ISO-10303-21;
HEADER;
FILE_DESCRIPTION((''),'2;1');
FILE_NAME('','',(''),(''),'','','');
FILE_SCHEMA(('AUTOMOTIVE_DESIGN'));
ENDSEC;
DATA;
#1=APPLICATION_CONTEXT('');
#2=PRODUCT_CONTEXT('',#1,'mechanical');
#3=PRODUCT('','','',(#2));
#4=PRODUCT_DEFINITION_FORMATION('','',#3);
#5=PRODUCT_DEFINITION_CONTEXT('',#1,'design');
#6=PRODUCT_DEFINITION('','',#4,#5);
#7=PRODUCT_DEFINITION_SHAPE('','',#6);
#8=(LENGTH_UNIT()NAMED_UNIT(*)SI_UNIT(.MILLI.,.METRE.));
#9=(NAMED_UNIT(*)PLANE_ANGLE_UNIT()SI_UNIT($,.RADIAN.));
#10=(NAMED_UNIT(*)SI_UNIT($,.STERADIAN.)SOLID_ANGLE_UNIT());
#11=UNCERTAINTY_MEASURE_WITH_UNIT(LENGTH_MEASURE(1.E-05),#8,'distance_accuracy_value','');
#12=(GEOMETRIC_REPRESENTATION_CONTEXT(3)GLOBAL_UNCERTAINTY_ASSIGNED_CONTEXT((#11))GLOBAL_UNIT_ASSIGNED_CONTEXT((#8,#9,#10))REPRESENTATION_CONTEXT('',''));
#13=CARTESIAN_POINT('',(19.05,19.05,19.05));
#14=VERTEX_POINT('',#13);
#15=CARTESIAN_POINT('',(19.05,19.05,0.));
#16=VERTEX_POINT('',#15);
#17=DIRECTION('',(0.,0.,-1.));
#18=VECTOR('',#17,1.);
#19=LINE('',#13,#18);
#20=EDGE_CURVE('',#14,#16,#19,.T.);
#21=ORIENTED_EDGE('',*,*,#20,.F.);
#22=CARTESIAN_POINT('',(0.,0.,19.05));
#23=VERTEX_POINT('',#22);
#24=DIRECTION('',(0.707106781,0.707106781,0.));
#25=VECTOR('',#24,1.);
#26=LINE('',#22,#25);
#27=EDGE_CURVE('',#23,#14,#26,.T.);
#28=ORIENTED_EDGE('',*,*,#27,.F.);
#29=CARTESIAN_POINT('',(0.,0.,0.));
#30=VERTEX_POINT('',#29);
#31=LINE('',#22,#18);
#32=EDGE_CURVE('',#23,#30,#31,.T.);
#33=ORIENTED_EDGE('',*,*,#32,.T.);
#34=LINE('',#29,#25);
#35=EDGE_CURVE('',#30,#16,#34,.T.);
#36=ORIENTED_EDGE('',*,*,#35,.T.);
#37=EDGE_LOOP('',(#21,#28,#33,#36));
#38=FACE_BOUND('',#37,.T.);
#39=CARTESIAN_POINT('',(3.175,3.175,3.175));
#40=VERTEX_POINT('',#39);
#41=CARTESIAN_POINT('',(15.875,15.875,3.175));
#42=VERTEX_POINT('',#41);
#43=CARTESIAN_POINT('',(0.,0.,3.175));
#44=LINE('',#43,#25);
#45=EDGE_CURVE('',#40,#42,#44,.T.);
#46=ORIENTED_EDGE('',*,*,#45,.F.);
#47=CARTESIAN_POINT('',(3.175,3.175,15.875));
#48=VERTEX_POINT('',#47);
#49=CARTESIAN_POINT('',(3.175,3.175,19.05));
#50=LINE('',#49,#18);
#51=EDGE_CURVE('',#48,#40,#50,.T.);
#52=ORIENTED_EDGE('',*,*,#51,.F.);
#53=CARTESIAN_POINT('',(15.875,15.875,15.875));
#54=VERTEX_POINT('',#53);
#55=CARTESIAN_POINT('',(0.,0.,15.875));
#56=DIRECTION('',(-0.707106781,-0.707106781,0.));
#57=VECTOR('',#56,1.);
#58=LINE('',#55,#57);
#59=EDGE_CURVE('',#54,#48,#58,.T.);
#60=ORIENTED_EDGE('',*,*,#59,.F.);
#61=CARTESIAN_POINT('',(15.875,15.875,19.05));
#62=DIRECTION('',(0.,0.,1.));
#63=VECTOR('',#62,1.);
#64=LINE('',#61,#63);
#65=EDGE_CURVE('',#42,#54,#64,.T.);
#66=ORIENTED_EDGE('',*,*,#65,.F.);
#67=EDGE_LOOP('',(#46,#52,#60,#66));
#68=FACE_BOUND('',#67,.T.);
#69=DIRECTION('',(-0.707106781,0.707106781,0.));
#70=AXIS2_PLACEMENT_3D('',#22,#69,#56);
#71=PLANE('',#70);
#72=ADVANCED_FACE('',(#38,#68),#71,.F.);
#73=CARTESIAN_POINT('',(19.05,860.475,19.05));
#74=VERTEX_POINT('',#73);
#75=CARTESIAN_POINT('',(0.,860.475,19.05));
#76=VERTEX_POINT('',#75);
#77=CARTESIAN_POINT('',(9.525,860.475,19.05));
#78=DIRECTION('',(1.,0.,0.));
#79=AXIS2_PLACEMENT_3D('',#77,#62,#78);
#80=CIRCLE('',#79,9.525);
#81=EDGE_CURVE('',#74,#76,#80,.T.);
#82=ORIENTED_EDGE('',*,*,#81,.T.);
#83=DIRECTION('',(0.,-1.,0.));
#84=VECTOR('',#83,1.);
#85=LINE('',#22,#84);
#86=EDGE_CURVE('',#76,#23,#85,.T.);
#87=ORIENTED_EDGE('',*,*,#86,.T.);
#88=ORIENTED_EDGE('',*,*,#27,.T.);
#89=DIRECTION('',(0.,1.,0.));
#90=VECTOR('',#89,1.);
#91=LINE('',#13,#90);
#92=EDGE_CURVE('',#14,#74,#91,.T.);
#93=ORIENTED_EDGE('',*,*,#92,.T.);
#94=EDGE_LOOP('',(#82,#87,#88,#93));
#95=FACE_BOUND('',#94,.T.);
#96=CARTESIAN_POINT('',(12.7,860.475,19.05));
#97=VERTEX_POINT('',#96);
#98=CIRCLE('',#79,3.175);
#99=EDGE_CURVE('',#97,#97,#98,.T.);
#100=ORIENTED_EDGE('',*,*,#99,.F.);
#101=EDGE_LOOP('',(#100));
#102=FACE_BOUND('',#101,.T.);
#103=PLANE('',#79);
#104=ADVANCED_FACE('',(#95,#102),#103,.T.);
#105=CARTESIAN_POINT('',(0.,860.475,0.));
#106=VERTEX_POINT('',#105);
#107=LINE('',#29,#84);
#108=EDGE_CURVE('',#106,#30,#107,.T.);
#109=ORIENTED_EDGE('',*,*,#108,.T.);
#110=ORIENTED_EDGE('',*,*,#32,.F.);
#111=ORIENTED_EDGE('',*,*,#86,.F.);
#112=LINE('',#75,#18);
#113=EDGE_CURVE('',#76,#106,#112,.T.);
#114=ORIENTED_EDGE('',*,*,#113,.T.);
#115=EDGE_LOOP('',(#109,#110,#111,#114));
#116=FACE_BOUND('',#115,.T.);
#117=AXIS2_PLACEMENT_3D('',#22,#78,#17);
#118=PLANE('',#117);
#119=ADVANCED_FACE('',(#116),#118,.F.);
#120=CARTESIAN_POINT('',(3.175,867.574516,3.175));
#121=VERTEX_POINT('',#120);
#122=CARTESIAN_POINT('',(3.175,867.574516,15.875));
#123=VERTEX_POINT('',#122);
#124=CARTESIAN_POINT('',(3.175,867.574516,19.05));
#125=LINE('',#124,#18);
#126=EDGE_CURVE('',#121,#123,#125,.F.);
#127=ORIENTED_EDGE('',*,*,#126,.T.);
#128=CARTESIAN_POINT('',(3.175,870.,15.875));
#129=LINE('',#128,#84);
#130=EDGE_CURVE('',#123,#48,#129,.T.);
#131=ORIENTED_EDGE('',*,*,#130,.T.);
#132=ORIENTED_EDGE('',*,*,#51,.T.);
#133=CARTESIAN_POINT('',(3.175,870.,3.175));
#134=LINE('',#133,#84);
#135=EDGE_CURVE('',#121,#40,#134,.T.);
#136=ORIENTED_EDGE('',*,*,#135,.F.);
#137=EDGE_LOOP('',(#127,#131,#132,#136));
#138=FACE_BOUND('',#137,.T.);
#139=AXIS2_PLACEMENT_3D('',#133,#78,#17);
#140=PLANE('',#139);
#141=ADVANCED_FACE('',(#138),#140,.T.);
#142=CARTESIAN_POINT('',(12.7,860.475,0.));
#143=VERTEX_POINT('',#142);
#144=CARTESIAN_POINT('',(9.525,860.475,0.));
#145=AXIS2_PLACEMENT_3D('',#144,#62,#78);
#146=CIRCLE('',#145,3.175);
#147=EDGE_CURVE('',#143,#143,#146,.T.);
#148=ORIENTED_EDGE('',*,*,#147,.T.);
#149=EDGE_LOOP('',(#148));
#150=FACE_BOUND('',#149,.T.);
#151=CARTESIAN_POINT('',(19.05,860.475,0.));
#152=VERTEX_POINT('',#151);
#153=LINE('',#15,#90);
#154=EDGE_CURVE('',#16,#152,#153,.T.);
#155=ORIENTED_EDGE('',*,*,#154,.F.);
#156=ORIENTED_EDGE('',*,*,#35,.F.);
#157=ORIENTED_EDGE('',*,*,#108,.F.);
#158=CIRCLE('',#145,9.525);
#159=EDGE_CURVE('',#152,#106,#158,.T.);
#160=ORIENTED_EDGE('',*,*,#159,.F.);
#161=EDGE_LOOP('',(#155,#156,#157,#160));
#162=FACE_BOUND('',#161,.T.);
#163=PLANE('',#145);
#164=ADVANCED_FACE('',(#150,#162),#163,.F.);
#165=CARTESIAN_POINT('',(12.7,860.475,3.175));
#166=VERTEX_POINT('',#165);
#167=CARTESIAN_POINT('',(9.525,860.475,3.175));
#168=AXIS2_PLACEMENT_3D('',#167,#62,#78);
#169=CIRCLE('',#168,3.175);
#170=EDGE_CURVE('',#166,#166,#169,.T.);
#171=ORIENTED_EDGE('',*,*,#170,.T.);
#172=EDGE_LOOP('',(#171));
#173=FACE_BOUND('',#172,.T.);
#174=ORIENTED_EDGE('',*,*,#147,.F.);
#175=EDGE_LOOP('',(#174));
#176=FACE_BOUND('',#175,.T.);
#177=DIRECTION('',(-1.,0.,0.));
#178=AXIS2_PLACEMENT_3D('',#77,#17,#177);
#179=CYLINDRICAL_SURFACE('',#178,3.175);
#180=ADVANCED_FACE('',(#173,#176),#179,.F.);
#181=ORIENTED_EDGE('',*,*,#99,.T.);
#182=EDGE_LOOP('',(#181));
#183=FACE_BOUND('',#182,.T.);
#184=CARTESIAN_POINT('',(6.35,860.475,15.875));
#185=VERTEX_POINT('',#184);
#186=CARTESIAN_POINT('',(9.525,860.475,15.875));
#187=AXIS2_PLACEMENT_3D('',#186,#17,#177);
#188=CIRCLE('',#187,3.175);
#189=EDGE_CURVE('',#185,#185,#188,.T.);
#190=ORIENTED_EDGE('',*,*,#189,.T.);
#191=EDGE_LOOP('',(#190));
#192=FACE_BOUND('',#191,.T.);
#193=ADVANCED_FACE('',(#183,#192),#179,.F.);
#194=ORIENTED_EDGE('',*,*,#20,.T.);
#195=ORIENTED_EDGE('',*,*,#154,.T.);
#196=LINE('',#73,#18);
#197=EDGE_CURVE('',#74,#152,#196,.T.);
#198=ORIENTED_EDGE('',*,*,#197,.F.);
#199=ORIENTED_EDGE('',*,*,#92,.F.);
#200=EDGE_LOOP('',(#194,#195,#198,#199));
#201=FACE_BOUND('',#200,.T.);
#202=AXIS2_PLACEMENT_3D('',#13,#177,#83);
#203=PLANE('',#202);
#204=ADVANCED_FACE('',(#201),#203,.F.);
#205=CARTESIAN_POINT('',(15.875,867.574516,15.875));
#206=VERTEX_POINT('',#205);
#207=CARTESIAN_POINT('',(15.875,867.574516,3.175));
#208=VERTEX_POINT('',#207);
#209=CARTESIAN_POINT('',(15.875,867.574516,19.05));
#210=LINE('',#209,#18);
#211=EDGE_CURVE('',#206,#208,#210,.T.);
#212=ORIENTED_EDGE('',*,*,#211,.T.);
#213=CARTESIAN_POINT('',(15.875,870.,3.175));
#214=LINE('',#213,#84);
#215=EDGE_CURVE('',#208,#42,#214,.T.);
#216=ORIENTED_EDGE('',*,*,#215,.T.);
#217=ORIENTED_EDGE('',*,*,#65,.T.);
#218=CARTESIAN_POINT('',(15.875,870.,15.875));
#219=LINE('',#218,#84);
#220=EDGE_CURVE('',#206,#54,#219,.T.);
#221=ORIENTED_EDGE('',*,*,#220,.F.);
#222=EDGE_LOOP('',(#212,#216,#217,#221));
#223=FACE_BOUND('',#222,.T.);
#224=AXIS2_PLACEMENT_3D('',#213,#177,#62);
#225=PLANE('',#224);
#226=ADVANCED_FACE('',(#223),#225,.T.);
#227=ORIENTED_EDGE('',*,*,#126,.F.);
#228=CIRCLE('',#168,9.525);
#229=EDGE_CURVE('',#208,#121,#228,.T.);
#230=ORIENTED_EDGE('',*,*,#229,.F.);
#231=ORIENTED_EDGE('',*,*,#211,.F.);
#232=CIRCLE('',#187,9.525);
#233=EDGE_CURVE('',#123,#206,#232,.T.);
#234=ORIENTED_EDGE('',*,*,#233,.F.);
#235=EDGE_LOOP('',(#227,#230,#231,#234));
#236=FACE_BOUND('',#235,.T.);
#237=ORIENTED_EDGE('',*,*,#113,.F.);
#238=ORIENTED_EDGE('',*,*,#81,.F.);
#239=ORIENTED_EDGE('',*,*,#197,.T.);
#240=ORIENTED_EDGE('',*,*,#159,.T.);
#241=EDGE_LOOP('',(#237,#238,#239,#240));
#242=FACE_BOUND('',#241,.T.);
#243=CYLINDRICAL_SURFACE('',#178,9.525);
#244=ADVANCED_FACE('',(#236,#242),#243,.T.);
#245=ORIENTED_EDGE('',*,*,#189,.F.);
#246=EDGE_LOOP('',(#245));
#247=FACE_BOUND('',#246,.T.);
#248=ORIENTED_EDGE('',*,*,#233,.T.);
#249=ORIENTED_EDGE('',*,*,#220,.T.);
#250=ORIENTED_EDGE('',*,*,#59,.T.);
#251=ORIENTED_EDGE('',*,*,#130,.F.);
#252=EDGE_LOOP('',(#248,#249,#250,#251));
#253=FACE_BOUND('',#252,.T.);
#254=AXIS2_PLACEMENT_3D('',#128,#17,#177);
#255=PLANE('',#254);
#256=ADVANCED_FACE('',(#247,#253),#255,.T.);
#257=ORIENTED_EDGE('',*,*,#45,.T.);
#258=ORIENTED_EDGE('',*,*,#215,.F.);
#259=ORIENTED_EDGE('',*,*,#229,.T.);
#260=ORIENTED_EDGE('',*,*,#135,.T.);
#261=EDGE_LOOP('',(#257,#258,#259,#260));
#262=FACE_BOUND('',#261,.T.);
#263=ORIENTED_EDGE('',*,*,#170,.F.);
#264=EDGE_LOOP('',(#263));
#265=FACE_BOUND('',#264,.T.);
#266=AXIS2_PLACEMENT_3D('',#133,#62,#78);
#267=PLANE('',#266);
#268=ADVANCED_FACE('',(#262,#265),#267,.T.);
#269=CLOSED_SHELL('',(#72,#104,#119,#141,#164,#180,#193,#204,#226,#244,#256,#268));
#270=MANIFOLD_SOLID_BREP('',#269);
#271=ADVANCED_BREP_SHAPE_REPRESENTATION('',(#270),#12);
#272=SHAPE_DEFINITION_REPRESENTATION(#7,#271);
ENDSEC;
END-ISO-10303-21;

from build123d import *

# Parameters (mm, degrees)
ESQUISSE1_R             = 3.175
BOSS_EXTRU_1_DEPTH      = 19.05
ESQUISSE2_W             = 12.7
ESQUISSE2_H             = 12.7
ENL_V_MAT_EXTRU_3_DEPTH = 871


with BuildPart() as part:
    # Esquisse1 → Boss.-Extru.1 (new body)
    with BuildSketch(Plane.XY):
        with BuildLine():
            Line((0, 0), (19.05, 19.05))
            Line((19.05, 19.05), (19.05, 860.475))
            ThreePointArc((19.05, 860.475), (9.525, 870), (0, 860.475))
            Line((0, 860.475), (0, 0))
        make_face()
        with Locations((9.525, 860.475)):
            Circle(ESQUISSE1_R, mode=Mode.SUBTRACT)
    extrude(amount=BOSS_EXTRU_1_DEPTH)

    # Esquisse2 → Enlèv. mat.-Extru.3 (cut, through all)
    with BuildSketch(Plane(origin=(0, 0, 0), x_dir=(1, 0, 0), z_dir=(0, 1, 0))):
        with Locations((9.525, -9.525)):
            Rectangle(ESQUISSE2_W, ESQUISSE2_H)
    extrude(amount=ENL_V_MAT_EXTRU_3_DEPTH, mode=Mode.SUBTRACT)


solid = part.part
